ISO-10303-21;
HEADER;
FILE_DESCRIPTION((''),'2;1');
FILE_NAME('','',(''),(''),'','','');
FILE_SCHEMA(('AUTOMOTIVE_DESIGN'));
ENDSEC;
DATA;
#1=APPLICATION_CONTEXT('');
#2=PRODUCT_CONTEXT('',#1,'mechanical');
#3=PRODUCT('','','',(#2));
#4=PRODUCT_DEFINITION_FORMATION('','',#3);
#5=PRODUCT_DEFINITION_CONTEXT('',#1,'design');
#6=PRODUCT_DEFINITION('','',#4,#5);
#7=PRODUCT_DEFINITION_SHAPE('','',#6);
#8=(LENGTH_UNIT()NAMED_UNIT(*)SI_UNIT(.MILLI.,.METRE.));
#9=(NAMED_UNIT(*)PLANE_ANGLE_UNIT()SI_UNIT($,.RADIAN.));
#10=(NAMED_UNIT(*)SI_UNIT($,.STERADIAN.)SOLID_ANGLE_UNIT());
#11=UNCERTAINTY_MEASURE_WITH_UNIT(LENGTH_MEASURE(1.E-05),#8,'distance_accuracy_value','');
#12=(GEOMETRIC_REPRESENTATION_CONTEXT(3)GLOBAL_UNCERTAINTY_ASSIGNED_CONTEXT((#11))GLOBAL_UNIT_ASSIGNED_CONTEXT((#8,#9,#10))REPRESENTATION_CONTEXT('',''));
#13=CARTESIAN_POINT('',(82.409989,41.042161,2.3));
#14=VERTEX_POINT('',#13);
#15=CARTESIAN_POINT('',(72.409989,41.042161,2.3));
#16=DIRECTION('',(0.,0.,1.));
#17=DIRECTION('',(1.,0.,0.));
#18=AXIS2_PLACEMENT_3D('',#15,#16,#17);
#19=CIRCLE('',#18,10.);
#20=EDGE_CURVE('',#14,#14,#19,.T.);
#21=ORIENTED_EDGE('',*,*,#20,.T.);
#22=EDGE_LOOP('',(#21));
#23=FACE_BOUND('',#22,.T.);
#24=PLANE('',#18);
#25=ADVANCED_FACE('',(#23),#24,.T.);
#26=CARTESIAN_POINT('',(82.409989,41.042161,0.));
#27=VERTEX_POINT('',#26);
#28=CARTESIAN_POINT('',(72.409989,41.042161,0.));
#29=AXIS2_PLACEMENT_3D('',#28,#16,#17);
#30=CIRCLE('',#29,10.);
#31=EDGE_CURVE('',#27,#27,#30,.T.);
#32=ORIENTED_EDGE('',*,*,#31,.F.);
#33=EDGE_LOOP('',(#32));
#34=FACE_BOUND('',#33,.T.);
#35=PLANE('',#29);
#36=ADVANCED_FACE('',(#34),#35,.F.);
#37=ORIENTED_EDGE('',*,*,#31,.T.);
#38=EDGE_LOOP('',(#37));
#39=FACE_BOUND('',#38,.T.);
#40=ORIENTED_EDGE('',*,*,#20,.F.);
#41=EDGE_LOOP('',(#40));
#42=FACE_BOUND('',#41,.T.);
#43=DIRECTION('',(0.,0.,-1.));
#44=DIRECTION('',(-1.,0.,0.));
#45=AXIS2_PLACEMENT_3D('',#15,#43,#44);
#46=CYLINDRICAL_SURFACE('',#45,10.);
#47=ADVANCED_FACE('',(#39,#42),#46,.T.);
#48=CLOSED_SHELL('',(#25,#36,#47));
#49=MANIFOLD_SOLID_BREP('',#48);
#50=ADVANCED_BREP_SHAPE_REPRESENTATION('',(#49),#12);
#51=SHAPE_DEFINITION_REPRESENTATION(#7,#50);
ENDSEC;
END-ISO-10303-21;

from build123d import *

# Parameters (mm, degrees)
SKETCH_1_R      = 9.999999999
EXTRUDE_1_DEPTH = 2.3


with BuildPart() as part:
    # 草图1 → 凸台-拉伸1 (new body)
    with BuildSketch(Plane.XY):
        with Locations((72.409989288, 41.042161219)):
            Circle(SKETCH_1_R)
    extrude(amount=EXTRUDE_1_DEPTH)


solid = part.part
